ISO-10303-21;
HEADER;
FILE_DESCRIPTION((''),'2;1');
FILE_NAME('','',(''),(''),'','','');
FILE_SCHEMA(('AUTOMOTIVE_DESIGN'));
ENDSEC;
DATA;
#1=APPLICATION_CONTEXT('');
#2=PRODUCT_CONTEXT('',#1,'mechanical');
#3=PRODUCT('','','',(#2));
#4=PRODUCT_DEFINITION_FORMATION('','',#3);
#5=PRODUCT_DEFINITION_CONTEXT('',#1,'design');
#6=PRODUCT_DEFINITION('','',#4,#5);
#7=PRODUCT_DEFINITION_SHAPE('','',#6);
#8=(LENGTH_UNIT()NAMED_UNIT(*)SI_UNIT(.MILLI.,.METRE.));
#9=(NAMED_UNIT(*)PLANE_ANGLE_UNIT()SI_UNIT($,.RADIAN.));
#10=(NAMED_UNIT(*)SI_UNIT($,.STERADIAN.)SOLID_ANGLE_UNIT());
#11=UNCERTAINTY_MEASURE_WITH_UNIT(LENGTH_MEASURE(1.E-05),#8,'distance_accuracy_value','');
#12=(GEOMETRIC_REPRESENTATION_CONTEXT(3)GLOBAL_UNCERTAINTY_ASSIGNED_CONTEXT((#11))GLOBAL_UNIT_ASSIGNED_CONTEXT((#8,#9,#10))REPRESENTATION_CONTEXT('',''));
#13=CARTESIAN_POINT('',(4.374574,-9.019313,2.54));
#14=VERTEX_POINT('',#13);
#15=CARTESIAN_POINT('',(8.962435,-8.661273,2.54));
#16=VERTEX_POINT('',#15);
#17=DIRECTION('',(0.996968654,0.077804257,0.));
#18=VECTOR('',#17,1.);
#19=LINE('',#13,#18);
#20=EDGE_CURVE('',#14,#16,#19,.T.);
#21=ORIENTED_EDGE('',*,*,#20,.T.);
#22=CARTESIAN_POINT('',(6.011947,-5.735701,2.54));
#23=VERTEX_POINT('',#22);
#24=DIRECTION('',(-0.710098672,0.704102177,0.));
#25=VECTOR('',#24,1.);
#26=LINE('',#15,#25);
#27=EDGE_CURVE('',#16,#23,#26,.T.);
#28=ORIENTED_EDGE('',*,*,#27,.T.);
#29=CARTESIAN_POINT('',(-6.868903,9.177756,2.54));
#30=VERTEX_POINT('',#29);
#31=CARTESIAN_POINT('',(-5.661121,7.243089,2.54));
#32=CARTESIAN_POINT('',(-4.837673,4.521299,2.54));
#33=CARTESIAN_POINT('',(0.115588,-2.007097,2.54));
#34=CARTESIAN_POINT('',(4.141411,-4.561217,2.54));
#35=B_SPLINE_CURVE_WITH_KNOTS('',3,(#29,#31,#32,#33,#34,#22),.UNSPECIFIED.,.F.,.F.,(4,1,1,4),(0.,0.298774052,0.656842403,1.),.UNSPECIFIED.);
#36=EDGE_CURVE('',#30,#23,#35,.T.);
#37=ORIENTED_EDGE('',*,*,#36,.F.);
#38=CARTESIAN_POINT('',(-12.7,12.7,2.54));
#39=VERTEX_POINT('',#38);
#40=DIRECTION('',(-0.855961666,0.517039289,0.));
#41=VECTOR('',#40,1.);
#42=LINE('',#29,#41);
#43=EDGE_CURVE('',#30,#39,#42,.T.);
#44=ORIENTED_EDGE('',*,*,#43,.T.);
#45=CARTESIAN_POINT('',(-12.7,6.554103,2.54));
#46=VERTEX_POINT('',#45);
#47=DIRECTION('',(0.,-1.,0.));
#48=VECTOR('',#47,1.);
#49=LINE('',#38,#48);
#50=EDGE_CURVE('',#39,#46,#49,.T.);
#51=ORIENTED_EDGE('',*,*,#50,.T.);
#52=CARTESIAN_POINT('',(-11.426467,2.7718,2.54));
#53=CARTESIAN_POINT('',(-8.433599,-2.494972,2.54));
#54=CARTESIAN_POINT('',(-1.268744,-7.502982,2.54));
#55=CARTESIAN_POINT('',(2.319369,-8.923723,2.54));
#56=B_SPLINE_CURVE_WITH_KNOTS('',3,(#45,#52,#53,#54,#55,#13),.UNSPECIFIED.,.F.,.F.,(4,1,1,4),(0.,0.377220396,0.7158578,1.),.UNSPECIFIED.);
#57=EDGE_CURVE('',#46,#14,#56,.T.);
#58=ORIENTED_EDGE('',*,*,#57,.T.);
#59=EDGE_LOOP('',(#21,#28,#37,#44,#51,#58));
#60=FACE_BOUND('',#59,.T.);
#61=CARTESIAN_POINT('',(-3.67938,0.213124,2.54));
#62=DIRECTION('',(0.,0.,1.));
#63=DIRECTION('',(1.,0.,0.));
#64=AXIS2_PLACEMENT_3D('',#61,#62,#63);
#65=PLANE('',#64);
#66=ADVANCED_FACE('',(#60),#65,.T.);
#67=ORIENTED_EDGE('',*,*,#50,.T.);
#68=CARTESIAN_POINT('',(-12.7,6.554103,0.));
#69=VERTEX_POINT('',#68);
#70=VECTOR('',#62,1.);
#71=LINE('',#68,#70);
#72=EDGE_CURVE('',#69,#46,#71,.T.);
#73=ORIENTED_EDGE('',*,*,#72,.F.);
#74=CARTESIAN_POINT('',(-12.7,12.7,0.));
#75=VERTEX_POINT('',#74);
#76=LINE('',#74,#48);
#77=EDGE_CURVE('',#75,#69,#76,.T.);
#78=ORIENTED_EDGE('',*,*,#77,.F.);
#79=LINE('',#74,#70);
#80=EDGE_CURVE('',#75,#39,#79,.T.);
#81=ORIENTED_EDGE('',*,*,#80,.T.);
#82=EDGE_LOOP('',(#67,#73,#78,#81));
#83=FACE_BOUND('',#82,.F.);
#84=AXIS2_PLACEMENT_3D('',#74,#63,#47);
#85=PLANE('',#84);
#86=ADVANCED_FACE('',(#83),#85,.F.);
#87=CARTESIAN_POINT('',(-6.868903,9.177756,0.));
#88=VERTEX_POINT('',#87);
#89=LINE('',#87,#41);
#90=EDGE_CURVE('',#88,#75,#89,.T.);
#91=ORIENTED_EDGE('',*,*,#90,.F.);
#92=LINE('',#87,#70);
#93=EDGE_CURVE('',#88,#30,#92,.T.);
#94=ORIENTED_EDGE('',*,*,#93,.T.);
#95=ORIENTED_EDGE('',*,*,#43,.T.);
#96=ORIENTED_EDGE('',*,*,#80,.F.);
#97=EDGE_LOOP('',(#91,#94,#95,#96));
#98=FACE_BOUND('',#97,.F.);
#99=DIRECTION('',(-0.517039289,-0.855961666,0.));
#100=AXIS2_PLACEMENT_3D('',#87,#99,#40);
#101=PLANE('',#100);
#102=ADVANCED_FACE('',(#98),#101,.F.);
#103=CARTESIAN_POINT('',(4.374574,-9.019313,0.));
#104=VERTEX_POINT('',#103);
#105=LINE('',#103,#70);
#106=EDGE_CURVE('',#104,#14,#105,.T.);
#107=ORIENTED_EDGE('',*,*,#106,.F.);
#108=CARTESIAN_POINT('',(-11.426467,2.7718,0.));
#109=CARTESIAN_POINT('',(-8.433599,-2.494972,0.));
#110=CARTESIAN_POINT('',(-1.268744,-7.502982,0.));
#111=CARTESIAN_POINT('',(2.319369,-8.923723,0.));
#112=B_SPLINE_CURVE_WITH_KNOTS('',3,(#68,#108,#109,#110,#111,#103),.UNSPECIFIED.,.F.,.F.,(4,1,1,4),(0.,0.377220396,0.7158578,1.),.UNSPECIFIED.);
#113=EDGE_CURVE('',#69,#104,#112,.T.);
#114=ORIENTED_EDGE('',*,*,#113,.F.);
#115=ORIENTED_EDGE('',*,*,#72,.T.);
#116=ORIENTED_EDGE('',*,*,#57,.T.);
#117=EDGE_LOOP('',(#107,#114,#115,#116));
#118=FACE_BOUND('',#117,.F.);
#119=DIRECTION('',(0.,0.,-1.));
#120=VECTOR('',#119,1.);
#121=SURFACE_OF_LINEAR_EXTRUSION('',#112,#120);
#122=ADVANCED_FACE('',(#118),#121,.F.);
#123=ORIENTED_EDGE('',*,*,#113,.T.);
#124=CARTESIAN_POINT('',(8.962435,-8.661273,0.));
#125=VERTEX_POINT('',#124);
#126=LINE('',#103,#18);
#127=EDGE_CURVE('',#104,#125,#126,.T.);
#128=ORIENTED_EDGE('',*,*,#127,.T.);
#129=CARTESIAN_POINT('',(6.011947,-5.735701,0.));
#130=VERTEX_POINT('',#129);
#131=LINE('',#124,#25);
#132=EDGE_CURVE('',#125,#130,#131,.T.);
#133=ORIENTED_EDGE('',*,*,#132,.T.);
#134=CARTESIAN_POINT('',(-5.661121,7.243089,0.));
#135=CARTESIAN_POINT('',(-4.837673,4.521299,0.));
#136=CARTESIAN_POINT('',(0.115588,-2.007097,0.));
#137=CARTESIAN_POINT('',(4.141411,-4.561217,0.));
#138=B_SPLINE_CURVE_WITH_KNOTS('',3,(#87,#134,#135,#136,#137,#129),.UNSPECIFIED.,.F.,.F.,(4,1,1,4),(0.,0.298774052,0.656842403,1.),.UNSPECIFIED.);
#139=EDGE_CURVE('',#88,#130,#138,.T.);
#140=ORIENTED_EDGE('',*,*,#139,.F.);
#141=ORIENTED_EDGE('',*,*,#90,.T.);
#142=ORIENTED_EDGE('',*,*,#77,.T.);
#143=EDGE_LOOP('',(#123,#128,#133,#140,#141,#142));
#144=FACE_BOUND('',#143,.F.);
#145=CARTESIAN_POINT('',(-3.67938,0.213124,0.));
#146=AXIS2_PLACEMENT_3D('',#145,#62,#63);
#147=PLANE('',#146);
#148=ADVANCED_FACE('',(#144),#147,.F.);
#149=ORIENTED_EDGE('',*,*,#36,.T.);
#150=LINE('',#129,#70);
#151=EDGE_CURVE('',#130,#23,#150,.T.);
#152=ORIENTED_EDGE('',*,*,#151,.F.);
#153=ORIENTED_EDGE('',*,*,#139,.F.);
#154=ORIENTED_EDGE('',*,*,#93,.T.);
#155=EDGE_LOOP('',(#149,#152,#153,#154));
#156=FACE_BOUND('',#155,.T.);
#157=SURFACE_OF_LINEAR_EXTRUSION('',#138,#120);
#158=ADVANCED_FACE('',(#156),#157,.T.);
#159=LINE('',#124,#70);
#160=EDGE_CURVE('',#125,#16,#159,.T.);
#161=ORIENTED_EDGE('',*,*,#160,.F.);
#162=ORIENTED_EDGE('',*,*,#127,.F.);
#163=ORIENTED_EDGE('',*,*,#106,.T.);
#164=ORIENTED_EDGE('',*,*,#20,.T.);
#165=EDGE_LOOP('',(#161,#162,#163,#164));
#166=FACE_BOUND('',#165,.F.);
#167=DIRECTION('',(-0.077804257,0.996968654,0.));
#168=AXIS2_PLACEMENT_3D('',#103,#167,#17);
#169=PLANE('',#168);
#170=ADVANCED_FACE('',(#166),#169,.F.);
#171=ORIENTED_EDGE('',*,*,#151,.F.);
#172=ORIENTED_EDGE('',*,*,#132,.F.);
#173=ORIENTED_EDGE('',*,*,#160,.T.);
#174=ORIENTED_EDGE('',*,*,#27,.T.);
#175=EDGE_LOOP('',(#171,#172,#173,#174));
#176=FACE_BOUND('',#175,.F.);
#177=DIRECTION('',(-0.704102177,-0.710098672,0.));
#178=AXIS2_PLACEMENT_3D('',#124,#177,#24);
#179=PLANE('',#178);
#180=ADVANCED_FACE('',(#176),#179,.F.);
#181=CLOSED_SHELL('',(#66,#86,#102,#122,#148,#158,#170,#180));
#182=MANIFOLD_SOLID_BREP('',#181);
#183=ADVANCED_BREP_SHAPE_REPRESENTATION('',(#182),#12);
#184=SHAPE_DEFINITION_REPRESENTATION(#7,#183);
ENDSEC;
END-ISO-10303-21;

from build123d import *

# Parameters (mm, degrees)
F1_DEPTH = 2.54


with BuildPart() as f1:
    # F0 (on Top) → F1 (new body)
    with BuildSketch(Plane.XY):
        with BuildLine():
            Line((-6.8689030595, 9.1777555645), (-12.7, 12.7))
            Line((-12.7, 12.7), (-12.7, 6.5541034564))
            add(Edge.make_bspline(
                [(-12.7, 6.5541034564), (-11.4264674408, 2.7717995687), (-8.4335990902, -2.4949723685), (-1.2687439799, -7.502981985), (2.3193687285, -8.9237226373), (4.3745739385, -9.0193133801)],
                knots=[0, 0, 0, 0, 0.3772203963, 0.7158577998, 1, 1, 1, 1], degree=3))
            Line((4.3745739385, -9.0193133801), (8.9624347165, -8.6612729356))
            Line((8.9624347165, -8.6612729356), (6.0119470581, -5.73570095))
            add(Edge.make_bspline(
                [(-6.8689030595, 9.1777555645), (-5.6611211373, 7.2430889579), (-4.8376727376, 4.5212989831), (0.115588476, -2.0070970134), (4.1414105506, -4.5612166884), (6.0119470581, -5.73570095)],
                knots=[0, 0, 0, 0, 0.2987740523, 0.6568424029, 1, 1, 1, 1], degree=3))
        make_face()
    extrude(amount=F1_DEPTH)


solid = f1.part
